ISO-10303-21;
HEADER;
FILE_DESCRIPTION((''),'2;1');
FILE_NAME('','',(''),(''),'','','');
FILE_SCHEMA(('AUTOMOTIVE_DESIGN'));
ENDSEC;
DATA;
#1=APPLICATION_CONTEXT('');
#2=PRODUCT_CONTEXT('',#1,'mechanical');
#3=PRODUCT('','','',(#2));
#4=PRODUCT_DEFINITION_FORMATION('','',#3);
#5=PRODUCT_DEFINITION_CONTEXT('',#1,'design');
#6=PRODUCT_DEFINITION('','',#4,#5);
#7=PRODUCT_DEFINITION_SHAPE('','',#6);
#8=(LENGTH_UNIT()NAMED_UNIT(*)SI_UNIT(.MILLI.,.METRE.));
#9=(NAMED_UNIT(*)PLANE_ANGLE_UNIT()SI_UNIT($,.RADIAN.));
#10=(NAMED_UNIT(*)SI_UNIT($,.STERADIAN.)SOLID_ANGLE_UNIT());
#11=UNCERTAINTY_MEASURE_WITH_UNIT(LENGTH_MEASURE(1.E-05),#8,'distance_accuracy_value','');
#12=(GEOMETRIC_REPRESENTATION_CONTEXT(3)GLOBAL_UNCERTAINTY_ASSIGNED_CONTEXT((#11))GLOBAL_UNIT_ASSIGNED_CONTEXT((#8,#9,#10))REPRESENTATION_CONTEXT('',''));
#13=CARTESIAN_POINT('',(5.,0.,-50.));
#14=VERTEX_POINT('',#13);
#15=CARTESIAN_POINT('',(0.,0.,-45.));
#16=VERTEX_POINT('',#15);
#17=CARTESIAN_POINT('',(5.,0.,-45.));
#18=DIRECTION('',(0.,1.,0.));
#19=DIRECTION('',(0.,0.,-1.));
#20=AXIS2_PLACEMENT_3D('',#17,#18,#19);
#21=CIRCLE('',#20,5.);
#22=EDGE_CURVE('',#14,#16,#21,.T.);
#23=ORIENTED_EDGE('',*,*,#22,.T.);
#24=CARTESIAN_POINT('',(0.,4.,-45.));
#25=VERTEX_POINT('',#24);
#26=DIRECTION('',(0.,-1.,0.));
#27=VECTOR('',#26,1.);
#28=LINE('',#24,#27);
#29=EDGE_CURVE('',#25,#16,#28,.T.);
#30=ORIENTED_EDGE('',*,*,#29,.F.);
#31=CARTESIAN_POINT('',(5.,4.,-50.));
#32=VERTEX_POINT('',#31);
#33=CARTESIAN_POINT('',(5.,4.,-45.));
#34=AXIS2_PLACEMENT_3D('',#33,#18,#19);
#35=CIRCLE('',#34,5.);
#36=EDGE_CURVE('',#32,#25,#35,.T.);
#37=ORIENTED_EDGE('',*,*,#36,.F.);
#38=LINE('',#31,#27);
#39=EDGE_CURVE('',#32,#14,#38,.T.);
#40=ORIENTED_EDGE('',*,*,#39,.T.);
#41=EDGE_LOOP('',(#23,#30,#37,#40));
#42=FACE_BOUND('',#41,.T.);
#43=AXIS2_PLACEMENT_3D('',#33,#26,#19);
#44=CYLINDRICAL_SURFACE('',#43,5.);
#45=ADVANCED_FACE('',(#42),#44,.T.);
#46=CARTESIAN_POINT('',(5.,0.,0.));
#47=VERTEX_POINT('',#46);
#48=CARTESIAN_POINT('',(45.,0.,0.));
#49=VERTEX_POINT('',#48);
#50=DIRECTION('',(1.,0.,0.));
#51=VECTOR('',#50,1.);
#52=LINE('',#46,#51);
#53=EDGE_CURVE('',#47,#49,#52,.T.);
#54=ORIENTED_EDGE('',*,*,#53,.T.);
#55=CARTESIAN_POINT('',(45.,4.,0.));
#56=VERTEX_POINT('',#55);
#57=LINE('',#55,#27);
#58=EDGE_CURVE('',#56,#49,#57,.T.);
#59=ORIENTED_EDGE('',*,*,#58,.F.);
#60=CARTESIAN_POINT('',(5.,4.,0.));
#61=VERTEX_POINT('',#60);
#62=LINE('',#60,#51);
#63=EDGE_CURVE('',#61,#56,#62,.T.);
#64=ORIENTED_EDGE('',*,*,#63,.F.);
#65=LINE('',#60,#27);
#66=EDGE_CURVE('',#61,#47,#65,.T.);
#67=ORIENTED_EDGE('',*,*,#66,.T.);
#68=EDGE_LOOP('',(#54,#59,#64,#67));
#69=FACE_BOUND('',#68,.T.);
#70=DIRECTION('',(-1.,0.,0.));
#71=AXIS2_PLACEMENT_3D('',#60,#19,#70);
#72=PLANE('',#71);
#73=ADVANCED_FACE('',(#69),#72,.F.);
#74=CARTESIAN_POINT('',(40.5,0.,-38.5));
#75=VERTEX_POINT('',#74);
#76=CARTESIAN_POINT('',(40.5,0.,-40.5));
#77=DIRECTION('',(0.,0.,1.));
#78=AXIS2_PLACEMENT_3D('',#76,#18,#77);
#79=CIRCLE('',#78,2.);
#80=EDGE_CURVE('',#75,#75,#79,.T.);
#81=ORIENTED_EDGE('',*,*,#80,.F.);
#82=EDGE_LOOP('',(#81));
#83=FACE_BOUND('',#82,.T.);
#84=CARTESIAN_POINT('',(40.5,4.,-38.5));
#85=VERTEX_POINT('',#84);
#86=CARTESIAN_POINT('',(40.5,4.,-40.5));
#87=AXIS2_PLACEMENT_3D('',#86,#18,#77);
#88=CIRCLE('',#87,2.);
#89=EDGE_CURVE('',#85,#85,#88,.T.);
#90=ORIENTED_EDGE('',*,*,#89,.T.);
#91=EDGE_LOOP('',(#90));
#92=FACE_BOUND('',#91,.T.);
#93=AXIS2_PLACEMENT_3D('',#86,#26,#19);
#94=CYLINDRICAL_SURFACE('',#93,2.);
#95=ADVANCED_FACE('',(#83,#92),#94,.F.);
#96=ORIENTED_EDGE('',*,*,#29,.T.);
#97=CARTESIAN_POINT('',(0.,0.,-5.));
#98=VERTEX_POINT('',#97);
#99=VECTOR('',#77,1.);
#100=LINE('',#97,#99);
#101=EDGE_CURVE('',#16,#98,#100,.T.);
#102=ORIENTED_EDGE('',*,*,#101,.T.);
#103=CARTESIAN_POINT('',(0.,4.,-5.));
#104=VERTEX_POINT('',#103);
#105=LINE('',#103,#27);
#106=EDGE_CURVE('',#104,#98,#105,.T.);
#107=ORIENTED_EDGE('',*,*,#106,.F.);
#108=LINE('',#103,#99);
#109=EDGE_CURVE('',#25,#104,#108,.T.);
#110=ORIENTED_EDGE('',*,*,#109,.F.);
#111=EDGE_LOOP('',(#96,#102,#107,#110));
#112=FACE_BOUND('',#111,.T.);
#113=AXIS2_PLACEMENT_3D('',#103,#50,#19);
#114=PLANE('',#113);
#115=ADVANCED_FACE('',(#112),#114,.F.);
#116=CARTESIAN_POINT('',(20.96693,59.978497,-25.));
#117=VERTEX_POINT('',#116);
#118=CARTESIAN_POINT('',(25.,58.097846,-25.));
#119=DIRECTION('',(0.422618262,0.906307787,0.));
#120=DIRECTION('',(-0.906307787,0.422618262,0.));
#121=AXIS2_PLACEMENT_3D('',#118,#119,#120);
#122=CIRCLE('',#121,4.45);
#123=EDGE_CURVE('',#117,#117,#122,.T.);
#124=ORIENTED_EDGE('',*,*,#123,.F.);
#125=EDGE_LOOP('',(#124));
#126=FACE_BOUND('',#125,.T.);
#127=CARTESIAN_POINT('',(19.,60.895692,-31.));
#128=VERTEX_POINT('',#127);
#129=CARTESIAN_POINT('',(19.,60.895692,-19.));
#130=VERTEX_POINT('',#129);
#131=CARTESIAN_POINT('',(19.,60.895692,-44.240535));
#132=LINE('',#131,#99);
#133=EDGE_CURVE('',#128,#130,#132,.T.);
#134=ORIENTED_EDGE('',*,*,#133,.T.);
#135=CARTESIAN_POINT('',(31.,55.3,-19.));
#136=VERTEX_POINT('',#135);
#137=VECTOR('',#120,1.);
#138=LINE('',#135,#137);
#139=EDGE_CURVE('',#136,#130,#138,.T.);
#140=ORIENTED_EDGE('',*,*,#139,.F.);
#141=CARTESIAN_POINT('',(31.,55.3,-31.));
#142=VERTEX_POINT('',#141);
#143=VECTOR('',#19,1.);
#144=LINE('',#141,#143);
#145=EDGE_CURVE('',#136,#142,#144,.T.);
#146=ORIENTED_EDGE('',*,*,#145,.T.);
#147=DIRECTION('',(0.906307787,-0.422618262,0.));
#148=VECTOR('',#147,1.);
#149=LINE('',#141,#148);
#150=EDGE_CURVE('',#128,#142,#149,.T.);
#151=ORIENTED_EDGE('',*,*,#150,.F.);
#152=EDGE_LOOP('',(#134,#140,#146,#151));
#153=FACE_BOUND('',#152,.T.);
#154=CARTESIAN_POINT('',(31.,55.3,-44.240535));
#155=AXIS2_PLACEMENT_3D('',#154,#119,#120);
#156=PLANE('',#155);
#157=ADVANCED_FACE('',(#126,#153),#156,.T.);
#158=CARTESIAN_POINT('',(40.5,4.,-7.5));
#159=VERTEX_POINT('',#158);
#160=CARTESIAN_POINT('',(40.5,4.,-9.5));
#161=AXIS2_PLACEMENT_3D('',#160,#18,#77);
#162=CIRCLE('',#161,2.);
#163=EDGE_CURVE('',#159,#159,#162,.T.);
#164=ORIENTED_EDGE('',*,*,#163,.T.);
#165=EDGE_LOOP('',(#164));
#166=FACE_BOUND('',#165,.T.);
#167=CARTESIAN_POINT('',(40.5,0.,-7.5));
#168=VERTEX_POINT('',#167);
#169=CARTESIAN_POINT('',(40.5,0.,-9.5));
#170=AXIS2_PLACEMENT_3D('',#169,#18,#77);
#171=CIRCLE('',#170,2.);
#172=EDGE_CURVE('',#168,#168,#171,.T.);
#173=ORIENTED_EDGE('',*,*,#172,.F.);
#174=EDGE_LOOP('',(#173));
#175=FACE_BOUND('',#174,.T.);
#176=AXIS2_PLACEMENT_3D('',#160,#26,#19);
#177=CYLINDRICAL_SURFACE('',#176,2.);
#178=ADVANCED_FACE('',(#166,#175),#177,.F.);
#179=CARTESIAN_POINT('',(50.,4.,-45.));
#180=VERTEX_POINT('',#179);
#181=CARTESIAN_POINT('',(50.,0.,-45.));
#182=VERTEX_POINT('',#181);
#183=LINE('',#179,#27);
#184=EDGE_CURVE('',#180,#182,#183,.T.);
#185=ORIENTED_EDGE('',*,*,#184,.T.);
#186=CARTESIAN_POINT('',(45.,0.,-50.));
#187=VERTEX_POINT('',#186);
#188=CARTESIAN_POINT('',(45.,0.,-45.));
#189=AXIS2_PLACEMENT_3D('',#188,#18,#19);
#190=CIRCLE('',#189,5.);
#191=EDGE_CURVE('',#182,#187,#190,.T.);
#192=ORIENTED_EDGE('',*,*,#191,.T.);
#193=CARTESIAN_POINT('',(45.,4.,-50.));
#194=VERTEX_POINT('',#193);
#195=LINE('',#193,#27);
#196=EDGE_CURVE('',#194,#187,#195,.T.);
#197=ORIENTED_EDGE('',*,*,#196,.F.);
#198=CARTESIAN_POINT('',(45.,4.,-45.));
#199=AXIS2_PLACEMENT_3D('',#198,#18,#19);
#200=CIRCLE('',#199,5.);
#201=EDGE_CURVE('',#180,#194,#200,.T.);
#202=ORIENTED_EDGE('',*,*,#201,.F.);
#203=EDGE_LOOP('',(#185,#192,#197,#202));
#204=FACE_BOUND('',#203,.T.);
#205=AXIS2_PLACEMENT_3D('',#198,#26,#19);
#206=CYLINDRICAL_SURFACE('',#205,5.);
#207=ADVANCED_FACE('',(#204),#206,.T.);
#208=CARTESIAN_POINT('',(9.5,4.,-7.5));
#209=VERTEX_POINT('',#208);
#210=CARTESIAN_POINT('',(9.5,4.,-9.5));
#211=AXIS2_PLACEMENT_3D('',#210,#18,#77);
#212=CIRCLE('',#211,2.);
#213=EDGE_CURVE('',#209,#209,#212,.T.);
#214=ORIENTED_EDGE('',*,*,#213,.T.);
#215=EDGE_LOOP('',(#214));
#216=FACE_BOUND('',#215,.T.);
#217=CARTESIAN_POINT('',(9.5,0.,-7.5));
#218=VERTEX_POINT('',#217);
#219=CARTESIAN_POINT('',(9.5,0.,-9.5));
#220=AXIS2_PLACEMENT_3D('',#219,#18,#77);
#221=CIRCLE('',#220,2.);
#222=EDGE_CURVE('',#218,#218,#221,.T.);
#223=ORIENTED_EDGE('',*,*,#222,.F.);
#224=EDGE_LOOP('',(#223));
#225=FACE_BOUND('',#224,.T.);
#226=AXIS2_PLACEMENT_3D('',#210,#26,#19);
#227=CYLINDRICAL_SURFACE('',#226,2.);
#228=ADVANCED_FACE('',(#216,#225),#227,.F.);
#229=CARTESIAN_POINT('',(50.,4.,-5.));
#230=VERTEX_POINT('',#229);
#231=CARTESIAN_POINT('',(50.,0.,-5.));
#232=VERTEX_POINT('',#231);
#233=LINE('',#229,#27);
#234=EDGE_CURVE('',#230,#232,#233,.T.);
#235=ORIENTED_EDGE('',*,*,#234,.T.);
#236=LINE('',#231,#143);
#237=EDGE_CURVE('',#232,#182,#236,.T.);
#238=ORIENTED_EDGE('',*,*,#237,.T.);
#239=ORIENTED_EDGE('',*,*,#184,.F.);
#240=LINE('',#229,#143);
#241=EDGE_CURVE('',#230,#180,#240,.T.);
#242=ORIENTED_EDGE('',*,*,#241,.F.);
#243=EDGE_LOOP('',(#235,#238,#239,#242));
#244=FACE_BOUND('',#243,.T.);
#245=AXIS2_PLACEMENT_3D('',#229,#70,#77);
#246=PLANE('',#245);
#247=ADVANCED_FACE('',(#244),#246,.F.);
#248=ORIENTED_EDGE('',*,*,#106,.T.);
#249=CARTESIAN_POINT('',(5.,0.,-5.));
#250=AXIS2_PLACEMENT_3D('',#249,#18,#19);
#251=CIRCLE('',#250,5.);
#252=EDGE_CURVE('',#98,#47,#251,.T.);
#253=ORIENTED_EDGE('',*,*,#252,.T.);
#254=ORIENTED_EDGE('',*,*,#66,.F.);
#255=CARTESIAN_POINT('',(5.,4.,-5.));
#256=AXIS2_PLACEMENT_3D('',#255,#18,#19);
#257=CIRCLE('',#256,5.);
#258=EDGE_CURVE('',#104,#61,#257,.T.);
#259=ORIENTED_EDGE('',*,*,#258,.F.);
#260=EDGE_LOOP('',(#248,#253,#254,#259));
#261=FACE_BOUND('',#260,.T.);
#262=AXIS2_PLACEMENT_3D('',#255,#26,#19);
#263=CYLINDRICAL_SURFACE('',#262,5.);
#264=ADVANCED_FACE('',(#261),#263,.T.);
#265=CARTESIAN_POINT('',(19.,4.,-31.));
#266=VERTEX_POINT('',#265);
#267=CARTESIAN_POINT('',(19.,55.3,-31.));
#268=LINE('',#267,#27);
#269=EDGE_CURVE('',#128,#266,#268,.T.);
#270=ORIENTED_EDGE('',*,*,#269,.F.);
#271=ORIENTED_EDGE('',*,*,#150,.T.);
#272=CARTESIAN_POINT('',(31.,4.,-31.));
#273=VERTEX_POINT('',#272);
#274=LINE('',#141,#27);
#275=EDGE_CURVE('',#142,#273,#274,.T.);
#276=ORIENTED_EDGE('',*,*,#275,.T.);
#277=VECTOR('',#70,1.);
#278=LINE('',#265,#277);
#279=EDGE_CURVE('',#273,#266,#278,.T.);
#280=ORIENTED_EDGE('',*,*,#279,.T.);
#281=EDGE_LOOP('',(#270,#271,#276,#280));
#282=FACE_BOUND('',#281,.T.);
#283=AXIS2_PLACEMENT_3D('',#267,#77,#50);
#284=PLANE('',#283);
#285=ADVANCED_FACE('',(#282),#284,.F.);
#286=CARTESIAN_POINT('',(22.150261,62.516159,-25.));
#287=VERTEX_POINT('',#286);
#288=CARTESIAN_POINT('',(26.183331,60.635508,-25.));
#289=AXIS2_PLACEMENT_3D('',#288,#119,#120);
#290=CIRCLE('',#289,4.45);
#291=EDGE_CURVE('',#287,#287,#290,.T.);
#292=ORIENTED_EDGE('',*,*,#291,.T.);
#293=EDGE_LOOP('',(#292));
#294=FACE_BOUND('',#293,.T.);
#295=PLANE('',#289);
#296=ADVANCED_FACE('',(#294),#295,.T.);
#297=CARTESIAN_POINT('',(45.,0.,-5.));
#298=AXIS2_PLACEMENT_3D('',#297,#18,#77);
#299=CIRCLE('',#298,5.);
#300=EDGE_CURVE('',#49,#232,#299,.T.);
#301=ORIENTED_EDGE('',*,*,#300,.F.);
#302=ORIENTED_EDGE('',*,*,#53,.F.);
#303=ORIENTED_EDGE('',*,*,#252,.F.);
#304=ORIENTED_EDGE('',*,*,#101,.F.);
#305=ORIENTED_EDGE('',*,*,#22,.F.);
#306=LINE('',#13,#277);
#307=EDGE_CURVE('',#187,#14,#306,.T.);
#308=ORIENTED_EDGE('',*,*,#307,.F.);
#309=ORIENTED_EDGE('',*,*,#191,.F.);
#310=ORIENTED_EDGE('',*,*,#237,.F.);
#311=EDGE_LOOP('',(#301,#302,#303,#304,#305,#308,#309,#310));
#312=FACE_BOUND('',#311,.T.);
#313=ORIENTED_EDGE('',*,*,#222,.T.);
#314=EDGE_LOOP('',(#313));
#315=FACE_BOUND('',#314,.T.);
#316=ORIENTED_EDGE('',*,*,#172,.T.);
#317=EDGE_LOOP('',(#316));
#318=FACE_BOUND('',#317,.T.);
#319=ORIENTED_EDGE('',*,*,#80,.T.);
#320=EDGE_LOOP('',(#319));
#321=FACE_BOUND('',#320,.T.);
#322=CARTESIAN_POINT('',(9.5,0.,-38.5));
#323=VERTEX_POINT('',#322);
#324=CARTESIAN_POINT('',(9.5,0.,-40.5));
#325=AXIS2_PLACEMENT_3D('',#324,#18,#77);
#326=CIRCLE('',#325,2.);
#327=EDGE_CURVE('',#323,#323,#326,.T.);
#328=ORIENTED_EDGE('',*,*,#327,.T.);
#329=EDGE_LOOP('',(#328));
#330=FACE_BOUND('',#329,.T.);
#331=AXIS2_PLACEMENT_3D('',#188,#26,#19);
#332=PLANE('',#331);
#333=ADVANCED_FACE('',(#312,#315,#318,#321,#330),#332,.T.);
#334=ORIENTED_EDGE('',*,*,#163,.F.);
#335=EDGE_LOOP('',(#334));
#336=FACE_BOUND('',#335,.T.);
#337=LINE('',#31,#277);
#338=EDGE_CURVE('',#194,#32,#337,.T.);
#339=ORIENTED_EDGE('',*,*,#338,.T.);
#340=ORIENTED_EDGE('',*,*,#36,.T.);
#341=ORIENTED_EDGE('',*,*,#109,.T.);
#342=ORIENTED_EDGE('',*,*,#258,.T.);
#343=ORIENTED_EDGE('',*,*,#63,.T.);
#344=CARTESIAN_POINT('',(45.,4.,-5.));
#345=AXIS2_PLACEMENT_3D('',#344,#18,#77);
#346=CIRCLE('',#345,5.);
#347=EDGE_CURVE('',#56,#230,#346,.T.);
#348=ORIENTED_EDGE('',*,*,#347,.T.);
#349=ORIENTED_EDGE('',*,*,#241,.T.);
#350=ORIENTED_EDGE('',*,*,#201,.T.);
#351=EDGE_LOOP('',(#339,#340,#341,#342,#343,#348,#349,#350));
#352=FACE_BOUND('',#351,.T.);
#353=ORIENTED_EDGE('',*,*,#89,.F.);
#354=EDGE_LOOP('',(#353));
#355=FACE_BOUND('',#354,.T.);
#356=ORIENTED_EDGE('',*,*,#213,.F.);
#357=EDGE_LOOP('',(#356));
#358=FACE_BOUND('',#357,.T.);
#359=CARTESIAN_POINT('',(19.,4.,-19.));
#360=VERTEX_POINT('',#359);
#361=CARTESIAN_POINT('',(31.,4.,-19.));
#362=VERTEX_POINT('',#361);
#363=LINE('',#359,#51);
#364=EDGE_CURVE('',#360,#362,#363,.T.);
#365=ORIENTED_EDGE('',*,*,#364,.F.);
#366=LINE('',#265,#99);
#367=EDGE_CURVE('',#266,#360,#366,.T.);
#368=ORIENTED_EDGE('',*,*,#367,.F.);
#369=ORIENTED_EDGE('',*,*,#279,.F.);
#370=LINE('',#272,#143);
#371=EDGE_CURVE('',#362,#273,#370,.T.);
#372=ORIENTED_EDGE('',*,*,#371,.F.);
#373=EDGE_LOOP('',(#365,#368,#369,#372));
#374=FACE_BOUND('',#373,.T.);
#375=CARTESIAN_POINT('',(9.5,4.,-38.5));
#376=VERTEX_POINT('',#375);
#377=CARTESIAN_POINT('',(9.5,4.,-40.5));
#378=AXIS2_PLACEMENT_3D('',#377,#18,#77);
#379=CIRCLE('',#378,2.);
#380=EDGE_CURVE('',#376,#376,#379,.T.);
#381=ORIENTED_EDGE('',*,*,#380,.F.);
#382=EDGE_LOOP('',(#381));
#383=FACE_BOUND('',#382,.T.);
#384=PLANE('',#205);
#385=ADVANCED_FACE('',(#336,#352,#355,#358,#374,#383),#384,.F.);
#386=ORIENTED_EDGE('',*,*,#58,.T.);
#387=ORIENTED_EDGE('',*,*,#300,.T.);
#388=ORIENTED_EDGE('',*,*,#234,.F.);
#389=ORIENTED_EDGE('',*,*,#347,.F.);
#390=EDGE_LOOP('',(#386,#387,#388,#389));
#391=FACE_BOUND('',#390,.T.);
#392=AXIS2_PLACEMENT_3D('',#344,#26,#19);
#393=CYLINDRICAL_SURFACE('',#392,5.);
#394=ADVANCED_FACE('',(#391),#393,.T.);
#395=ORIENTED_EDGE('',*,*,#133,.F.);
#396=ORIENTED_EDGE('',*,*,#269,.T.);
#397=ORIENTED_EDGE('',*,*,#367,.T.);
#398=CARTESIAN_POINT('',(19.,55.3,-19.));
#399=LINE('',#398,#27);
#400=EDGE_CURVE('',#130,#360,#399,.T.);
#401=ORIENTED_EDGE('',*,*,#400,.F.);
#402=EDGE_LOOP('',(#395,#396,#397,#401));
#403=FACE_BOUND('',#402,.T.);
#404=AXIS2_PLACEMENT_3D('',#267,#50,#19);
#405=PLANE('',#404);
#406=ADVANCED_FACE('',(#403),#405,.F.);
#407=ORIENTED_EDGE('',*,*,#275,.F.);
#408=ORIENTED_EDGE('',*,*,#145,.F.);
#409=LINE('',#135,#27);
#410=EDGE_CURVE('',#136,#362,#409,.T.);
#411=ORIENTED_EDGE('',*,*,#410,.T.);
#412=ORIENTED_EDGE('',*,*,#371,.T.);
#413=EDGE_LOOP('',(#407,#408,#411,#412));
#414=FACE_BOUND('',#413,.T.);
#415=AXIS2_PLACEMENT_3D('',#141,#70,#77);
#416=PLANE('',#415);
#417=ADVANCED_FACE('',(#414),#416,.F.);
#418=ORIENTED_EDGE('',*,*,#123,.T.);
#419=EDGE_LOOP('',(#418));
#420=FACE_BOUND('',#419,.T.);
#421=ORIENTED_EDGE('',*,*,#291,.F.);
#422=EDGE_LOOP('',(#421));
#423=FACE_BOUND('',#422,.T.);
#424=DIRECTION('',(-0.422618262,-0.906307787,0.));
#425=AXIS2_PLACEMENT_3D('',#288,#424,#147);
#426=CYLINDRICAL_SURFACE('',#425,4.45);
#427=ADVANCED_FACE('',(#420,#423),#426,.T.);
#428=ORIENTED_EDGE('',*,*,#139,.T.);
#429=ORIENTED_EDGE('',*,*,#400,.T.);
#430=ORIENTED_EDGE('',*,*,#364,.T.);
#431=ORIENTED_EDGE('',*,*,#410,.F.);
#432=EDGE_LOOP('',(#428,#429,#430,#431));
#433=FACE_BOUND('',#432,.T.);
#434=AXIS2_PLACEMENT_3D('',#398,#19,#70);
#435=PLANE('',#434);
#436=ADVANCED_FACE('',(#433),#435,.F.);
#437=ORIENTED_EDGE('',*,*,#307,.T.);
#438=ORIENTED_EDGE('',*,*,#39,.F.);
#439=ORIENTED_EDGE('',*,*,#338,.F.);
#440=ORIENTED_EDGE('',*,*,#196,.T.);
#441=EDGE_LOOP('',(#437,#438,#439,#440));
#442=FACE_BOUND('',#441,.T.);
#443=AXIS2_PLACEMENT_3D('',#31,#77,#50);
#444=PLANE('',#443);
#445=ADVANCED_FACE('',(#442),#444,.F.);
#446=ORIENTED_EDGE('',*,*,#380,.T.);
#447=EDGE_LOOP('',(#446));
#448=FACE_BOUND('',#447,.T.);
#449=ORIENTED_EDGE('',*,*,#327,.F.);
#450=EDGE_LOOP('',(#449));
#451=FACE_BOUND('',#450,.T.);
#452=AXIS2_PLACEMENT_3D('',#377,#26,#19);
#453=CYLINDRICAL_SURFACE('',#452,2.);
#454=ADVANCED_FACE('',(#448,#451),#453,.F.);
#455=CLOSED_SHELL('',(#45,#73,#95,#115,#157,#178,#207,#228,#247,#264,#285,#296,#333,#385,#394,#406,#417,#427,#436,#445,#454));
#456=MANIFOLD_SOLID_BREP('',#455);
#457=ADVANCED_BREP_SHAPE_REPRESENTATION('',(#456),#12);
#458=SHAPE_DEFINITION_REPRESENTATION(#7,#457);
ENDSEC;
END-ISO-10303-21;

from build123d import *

# Parameters (mm, degrees)
SKETCH1_R           = 2
BOSS_EXTRUDE1_DEPTH = 4
SKETCH3_W           = 12
SKETCH3_H           = 12
BOSS_EXTRUDE3_DEPTH = 51.3
BOSS_EXTRUDE4_DEPTH = 12
SKETCH6_R           = 4.45
BOSS_EXTRUDE5_DEPTH = 2.8


with BuildPart() as part:
    # Sketch1 → Boss-Extrude1 (new body)
    with BuildSketch(Plane(origin=(0, 0, 0), x_dir=(1, 0, 0), z_dir=(0, 1, 0))):
        with BuildLine():
            Line((5, 0), (45, 0))
            ThreePointArc((45, 0), (48.535533906, 1.464466094), (50, 5))
            Line((50, 5), (50, 45))
            ThreePointArc((50, 45), (48.535533906, 48.535533906), (45, 50))
            Line((45, 50), (5, 50))
            ThreePointArc((5, 50), (1.464466094, 48.535533906), (0, 45))
            Line((0, 45), (0, 5))
            ThreePointArc((0, 5), (1.464466094, 1.464466094), (5, 0))
        make_face()
        with Locations(Location((9.5, 9.5, 0), (0, 0, 270))):
            Circle(SKETCH1_R, mode=Mode.SUBTRACT)
        with Locations(Location((9.5, 40.5, 0), (0, 0, 270))):
            Circle(SKETCH1_R, mode=Mode.SUBTRACT)
        with Locations(Location((40.5, 40.5, 0), (0, 0, 270))):
            Circle(SKETCH1_R, mode=Mode.SUBTRACT)
        with Locations(Location((40.5, 9.5, 0), (0, 0, 270))):
            Circle(SKETCH1_R, mode=Mode.SUBTRACT)
    extrude(amount=BOSS_EXTRUDE1_DEPTH)

    # Sketch3 → Boss-Extrude3 (add)
    with BuildSketch(Plane(origin=(0, 4, 0), x_dir=(1, 0, 0), z_dir=(0, 1, 0))):
        with Locations((25, 25)):
            Rectangle(SKETCH3_W, SKETCH3_H)
    extrude(amount=BOSS_EXTRUDE3_DEPTH)

    # Sketch5 → Boss-Extrude4 (add)
    with BuildSketch(Plane.XY.offset(-19)):
        Polygon((31, 55.3), (19, 60.895691898), (19, 55.3), align=None)
    extrude(amount=-BOSS_EXTRUDE4_DEPTH)

    # Sketch6 → Boss-Extrude5 (add)
    with BuildSketch(Plane(origin=(26.717920902, 57.296766276, 0), x_dir=(0.9063077870366527, -0.4226182617406934, 0), z_dir=(0.42261826174069345, 0.9063077870366528, 0))):
        with Locations(Location((-1.89551599, 25, 0), (0, 0, 180))):
            Circle(SKETCH6_R)
    extrude(amount=BOSS_EXTRUDE5_DEPTH)


solid = part.part
